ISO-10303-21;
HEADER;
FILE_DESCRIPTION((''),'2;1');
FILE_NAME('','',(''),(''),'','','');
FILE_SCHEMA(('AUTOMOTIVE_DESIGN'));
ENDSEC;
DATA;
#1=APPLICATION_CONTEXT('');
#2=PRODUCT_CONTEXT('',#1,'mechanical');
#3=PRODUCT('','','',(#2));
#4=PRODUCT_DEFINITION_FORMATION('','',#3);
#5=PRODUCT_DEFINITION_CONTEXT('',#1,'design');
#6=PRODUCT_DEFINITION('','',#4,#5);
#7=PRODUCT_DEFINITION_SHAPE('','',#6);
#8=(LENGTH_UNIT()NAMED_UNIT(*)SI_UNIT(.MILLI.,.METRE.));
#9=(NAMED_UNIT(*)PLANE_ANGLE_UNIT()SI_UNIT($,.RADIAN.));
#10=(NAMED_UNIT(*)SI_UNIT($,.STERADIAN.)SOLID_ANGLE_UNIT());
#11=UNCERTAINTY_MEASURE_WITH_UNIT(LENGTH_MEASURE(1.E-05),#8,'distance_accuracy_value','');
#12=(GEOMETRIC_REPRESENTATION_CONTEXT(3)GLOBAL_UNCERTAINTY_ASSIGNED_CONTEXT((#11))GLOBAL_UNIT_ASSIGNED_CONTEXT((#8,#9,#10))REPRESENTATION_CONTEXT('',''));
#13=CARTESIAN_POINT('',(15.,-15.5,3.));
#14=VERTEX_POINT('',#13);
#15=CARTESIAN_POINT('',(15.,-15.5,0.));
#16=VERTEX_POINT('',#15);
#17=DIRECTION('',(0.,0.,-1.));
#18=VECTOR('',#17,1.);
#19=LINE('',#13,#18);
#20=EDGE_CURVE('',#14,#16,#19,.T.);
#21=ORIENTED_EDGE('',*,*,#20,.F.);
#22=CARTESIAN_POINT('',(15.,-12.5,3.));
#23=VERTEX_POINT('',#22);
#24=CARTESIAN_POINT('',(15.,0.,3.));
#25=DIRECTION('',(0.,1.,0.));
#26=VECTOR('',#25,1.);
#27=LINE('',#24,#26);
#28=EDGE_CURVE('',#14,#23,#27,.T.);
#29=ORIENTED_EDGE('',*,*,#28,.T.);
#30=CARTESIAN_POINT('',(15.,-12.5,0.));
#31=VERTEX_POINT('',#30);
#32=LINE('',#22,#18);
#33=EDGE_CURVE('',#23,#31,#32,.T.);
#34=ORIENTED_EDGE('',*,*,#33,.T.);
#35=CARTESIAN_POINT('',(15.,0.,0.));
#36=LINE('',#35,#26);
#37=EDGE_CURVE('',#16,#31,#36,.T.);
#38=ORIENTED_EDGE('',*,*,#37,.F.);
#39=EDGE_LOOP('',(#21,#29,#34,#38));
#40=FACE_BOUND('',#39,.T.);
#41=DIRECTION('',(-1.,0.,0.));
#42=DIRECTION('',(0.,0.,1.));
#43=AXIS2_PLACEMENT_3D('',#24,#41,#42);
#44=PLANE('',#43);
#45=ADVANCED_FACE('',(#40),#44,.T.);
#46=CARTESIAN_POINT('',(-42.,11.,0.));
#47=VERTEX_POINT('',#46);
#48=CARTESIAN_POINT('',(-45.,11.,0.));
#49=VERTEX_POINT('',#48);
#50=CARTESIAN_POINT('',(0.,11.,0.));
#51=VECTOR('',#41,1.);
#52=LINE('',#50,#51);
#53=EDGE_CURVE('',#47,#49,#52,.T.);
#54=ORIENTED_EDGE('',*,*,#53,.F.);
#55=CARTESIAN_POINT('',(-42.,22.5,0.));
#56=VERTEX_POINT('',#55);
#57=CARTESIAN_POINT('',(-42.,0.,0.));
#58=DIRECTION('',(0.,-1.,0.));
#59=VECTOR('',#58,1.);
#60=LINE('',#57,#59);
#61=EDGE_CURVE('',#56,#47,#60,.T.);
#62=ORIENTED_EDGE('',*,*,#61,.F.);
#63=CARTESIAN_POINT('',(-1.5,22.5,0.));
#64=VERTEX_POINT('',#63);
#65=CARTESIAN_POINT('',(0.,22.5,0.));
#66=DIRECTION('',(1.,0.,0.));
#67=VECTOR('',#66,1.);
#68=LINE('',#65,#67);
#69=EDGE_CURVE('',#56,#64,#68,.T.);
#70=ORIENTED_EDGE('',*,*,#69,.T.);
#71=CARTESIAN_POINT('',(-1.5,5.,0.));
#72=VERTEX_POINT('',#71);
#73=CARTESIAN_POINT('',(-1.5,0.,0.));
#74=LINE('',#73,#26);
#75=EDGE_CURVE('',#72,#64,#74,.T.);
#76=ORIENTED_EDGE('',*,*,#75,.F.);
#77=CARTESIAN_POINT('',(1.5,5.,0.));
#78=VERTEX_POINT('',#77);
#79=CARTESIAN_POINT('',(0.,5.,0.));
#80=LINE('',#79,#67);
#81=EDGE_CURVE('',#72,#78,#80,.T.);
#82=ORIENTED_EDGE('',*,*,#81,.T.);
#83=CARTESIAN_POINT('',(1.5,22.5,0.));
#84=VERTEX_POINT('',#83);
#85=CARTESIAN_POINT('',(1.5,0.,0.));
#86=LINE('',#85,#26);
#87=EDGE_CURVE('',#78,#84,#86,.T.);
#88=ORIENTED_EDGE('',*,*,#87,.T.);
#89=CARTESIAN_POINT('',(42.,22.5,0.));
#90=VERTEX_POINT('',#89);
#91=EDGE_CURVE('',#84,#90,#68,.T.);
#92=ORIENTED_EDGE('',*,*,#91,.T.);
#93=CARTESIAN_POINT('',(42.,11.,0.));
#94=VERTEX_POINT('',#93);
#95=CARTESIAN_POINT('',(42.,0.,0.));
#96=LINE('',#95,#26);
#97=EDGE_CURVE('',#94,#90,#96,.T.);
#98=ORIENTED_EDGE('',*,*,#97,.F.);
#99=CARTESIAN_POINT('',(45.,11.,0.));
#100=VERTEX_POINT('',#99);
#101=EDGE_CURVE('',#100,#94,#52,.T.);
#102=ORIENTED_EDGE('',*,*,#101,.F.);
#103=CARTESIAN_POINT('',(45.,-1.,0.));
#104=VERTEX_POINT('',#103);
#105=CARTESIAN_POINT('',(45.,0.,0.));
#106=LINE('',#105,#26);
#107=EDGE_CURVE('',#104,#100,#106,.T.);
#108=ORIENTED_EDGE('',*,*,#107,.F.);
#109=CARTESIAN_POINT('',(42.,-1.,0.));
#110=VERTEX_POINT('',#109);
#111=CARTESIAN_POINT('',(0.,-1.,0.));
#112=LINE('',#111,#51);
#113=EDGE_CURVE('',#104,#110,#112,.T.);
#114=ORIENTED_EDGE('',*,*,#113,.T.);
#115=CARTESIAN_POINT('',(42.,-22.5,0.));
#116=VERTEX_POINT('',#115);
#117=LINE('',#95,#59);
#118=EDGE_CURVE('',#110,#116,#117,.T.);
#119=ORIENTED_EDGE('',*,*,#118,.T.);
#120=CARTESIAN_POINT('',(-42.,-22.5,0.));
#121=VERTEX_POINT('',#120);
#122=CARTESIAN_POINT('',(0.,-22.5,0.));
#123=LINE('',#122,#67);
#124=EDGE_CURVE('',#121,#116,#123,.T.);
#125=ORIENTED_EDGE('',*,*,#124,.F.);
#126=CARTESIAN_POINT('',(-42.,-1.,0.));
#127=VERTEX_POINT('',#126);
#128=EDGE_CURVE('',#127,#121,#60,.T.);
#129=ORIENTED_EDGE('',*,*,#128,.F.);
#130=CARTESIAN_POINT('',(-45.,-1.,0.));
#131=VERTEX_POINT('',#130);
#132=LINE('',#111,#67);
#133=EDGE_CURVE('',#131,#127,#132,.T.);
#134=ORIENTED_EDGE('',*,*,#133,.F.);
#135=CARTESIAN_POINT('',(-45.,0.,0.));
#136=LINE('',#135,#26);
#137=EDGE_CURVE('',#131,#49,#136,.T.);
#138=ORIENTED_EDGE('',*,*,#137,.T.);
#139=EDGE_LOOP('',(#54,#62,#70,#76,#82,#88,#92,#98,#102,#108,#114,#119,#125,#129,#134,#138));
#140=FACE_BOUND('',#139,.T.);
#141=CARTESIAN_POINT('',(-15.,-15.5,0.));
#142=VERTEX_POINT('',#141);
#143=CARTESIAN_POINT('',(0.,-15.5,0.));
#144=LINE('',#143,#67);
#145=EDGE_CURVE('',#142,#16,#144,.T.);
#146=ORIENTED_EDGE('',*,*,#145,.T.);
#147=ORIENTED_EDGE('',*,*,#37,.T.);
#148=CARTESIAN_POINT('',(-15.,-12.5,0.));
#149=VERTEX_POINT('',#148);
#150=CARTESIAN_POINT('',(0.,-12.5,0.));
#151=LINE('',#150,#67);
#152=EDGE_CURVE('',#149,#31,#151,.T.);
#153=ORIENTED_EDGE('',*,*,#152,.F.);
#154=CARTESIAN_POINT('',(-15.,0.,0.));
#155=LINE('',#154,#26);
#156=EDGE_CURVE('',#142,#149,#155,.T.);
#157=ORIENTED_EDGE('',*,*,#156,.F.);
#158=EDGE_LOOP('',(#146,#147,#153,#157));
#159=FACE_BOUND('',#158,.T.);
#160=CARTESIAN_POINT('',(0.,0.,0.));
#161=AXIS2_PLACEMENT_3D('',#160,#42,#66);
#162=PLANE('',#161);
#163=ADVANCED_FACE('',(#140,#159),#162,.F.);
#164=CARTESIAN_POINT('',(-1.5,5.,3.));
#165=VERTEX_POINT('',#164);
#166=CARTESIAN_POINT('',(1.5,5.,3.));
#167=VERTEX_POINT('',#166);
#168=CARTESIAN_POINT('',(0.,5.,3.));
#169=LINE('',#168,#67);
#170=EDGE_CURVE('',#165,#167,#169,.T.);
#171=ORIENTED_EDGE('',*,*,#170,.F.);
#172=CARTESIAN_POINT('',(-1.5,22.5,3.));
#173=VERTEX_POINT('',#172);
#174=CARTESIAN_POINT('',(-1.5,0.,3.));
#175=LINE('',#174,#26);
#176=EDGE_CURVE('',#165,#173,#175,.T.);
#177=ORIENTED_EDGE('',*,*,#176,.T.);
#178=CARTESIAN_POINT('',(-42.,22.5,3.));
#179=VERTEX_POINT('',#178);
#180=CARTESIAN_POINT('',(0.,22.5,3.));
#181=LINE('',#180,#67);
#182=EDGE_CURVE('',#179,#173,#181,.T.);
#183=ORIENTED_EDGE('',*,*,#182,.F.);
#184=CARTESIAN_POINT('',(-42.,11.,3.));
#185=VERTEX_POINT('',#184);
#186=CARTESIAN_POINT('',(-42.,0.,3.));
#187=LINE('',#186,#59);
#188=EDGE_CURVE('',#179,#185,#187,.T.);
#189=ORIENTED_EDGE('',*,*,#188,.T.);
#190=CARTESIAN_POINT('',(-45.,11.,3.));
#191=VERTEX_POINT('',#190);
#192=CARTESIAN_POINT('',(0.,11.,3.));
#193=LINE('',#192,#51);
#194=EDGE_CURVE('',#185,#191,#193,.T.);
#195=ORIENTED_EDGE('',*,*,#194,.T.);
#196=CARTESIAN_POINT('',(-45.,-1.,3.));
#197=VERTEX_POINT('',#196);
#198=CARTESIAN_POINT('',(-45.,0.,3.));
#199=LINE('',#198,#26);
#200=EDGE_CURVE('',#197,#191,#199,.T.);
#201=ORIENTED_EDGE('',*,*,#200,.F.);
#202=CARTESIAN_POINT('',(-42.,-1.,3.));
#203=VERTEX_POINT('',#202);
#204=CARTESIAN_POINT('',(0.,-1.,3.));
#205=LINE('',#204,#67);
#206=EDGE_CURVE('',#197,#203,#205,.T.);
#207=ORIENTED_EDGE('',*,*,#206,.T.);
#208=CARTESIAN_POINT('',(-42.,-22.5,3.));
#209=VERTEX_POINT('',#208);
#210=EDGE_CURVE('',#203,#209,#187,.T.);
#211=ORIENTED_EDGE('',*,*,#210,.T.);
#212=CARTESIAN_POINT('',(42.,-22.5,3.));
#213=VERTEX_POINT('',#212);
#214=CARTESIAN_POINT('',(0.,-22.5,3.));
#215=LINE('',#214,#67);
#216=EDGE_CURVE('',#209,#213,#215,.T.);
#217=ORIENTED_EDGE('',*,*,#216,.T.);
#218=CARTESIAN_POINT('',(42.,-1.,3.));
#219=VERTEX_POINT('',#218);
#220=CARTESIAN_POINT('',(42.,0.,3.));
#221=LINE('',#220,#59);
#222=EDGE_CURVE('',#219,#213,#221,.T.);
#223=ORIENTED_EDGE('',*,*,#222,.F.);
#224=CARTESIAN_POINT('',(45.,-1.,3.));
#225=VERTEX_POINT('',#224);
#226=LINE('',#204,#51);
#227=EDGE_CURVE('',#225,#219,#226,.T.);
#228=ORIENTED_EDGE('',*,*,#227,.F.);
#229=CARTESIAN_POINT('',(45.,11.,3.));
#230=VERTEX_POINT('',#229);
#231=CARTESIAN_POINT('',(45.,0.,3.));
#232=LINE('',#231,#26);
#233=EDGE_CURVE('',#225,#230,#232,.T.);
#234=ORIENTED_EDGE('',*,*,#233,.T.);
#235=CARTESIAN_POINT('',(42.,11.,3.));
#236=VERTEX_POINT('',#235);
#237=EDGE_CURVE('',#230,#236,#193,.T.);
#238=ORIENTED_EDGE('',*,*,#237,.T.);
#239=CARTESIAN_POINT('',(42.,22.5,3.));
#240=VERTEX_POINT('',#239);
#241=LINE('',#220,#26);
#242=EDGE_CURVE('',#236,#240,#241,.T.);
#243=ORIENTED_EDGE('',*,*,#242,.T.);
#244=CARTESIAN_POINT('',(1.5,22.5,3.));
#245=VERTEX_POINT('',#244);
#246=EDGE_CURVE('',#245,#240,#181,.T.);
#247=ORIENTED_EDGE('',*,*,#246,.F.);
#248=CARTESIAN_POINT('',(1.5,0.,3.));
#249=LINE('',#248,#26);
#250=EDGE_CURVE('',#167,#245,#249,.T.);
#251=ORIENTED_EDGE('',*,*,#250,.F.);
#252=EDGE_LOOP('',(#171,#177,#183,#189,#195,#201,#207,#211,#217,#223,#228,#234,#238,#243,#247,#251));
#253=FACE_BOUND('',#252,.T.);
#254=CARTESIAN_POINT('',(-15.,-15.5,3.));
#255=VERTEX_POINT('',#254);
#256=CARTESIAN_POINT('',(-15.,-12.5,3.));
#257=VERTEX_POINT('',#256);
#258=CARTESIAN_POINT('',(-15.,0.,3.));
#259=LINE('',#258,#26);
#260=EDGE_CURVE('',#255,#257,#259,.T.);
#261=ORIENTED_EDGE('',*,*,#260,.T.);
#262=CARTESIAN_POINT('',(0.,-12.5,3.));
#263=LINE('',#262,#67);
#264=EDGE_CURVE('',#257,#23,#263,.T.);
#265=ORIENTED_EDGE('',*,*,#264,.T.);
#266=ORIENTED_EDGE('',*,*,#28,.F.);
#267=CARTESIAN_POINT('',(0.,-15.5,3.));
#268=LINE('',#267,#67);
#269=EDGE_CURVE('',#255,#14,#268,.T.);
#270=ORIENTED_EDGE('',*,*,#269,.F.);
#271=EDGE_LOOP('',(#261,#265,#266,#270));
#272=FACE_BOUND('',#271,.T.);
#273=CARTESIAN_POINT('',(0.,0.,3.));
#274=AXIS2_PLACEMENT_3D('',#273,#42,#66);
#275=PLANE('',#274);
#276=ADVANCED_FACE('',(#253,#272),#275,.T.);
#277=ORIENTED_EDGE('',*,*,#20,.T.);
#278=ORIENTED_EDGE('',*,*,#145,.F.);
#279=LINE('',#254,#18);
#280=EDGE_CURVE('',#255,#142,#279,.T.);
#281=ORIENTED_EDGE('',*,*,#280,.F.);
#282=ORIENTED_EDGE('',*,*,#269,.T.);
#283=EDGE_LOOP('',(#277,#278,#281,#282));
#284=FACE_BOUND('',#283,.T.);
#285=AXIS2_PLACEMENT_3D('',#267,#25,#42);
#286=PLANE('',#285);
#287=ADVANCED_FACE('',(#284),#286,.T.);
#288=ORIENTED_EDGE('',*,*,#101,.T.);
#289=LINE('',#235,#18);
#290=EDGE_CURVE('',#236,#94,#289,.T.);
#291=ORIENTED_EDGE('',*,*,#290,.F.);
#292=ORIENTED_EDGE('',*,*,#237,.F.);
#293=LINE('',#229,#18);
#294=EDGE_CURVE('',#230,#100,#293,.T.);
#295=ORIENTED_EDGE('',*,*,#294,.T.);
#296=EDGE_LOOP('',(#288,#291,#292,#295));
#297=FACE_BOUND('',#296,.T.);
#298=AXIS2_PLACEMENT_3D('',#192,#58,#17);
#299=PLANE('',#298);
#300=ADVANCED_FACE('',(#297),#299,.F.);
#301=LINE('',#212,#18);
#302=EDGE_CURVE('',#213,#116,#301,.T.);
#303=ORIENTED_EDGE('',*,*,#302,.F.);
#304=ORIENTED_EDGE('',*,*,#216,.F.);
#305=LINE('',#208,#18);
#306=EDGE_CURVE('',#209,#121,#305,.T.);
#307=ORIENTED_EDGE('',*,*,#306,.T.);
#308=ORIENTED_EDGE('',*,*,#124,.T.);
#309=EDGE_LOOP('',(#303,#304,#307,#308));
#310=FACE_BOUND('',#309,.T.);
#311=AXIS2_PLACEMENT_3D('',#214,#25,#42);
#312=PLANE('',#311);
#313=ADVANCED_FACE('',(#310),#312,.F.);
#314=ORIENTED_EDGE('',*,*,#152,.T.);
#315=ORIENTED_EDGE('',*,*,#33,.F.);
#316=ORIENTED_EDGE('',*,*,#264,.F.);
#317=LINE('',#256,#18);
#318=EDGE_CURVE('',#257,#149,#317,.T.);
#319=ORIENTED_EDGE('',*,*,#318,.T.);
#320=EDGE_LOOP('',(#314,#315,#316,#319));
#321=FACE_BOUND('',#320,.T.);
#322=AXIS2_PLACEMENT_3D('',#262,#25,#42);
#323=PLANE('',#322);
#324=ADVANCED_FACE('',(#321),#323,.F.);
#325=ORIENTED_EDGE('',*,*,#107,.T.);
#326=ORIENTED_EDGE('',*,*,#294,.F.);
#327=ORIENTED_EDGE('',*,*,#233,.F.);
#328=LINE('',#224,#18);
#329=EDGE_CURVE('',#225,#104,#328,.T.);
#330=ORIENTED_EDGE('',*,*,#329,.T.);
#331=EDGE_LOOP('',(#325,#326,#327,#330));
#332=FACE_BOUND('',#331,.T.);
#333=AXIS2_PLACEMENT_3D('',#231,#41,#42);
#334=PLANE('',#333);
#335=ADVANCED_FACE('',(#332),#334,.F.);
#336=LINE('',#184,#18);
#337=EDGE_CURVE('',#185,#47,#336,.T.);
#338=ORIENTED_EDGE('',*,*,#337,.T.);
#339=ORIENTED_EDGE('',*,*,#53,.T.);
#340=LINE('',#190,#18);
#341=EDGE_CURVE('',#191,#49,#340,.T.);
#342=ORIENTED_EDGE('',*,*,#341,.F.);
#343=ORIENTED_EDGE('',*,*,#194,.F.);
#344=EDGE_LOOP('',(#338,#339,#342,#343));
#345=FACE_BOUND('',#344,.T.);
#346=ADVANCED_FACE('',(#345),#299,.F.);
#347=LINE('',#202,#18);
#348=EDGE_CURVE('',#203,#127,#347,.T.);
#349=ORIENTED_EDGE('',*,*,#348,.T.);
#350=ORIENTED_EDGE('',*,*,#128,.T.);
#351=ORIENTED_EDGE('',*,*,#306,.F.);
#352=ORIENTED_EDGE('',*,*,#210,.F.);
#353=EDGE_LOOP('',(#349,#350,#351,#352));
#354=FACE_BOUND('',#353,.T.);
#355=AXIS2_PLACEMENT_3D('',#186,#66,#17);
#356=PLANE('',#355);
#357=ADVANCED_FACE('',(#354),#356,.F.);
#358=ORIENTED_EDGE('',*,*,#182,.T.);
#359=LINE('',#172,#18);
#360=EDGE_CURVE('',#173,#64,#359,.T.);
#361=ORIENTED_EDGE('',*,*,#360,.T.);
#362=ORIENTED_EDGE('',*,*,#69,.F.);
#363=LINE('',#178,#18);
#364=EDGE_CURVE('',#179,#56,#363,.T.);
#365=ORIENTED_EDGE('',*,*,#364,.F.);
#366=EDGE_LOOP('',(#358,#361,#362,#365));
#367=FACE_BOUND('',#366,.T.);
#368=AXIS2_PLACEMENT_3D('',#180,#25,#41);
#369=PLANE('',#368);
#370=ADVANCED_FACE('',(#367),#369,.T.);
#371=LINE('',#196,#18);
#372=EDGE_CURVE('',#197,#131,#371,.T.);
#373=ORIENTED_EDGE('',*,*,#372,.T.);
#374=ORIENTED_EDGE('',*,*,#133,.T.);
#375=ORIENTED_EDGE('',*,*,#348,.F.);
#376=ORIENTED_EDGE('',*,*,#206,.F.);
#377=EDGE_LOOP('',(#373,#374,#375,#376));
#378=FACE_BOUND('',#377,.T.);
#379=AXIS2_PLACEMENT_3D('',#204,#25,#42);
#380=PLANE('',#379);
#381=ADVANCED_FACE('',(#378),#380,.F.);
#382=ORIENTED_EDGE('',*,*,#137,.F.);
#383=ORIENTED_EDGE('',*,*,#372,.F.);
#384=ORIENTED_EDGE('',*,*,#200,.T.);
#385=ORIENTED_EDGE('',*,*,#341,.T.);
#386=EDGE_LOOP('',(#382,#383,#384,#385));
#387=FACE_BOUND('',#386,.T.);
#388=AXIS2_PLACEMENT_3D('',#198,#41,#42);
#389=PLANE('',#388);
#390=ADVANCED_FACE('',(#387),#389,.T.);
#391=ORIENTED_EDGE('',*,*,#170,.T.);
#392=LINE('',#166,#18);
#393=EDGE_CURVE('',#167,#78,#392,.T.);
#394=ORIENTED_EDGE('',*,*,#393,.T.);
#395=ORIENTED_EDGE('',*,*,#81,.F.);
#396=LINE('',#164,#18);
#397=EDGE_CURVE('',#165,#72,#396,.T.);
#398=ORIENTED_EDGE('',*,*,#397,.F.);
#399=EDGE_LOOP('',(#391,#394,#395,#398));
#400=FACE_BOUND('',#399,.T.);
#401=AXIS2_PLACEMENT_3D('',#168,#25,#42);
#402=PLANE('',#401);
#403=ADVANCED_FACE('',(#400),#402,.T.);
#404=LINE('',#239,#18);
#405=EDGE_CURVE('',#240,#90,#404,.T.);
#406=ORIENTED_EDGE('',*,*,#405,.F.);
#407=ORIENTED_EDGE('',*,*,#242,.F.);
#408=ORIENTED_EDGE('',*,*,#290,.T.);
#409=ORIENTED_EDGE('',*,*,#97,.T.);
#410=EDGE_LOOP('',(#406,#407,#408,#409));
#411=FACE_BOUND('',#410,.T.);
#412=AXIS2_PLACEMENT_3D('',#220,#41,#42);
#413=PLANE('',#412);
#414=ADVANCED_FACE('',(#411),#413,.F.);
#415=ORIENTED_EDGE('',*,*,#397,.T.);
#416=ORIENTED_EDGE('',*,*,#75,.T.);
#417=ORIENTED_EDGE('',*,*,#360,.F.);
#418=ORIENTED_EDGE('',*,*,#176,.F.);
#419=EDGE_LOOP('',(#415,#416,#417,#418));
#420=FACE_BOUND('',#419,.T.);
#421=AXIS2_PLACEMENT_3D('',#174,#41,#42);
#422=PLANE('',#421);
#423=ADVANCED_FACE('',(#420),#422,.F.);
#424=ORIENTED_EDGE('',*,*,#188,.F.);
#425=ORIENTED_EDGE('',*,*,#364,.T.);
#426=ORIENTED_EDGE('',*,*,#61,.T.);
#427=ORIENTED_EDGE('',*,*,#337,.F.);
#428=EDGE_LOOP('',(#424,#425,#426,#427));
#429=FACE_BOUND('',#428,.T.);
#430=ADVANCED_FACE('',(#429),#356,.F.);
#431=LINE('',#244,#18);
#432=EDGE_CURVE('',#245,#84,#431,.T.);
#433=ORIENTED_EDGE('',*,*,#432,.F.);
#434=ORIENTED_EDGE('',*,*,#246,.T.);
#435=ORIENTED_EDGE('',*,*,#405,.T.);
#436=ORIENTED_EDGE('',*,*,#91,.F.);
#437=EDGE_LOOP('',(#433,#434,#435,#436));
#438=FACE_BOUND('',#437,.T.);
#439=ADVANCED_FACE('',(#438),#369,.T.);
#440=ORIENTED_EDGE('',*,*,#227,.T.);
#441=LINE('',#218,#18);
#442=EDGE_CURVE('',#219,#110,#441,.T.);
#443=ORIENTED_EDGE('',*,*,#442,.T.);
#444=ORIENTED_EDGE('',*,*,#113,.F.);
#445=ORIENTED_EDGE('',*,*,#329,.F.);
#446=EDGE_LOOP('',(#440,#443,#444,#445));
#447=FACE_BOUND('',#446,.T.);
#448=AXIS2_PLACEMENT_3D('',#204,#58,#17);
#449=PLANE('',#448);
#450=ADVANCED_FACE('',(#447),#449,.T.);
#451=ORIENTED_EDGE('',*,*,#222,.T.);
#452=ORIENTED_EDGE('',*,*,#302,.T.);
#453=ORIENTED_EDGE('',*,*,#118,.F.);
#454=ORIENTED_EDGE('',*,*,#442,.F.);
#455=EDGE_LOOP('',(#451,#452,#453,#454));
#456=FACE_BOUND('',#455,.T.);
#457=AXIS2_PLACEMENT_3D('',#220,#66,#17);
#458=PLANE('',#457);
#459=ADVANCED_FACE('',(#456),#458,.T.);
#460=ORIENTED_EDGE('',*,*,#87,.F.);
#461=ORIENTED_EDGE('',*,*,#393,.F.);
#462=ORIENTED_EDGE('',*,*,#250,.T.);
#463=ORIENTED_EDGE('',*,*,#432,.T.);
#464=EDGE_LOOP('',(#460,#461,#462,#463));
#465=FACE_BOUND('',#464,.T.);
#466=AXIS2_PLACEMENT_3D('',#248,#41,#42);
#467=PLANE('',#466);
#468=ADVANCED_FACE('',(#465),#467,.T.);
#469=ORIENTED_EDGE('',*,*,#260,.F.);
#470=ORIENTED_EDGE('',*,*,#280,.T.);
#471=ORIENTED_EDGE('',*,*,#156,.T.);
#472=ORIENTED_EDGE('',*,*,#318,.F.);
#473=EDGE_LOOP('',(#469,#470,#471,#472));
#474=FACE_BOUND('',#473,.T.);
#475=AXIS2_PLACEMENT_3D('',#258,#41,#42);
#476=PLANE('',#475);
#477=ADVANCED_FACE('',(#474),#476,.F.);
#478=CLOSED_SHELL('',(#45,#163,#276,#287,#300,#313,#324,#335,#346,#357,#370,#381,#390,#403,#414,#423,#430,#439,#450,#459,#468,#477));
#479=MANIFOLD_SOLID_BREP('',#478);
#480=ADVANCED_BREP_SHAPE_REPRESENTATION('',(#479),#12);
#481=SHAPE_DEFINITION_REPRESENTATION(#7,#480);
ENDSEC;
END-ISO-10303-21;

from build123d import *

# Parameters (mm, degrees)
SKETCH1_W           = 30
SKETCH1_H           = 3
BOSS_EXTRUDE1_DEPTH = 3


with BuildPart() as part:
    # Sketch1 → Boss-Extrude1 (new body)
    with BuildSketch(Plane.XY):
        Polygon((-45, 11), (-45, -1), (-42, -1), (-42, -22.5), (42, -22.5), (42, -1), (45, -1), (45, 11), (42, 11), (42, 22.5), (1.5, 22.5), (1.5, 5), (-1.5, 5), (-1.5, 22.5), (-42, 22.5), (-42, 11), align=None)
        with Locations((0, -14)):
            Rectangle(SKETCH1_W, SKETCH1_H, mode=Mode.SUBTRACT)
    extrude(amount=BOSS_EXTRUDE1_DEPTH)


solid = part.part
